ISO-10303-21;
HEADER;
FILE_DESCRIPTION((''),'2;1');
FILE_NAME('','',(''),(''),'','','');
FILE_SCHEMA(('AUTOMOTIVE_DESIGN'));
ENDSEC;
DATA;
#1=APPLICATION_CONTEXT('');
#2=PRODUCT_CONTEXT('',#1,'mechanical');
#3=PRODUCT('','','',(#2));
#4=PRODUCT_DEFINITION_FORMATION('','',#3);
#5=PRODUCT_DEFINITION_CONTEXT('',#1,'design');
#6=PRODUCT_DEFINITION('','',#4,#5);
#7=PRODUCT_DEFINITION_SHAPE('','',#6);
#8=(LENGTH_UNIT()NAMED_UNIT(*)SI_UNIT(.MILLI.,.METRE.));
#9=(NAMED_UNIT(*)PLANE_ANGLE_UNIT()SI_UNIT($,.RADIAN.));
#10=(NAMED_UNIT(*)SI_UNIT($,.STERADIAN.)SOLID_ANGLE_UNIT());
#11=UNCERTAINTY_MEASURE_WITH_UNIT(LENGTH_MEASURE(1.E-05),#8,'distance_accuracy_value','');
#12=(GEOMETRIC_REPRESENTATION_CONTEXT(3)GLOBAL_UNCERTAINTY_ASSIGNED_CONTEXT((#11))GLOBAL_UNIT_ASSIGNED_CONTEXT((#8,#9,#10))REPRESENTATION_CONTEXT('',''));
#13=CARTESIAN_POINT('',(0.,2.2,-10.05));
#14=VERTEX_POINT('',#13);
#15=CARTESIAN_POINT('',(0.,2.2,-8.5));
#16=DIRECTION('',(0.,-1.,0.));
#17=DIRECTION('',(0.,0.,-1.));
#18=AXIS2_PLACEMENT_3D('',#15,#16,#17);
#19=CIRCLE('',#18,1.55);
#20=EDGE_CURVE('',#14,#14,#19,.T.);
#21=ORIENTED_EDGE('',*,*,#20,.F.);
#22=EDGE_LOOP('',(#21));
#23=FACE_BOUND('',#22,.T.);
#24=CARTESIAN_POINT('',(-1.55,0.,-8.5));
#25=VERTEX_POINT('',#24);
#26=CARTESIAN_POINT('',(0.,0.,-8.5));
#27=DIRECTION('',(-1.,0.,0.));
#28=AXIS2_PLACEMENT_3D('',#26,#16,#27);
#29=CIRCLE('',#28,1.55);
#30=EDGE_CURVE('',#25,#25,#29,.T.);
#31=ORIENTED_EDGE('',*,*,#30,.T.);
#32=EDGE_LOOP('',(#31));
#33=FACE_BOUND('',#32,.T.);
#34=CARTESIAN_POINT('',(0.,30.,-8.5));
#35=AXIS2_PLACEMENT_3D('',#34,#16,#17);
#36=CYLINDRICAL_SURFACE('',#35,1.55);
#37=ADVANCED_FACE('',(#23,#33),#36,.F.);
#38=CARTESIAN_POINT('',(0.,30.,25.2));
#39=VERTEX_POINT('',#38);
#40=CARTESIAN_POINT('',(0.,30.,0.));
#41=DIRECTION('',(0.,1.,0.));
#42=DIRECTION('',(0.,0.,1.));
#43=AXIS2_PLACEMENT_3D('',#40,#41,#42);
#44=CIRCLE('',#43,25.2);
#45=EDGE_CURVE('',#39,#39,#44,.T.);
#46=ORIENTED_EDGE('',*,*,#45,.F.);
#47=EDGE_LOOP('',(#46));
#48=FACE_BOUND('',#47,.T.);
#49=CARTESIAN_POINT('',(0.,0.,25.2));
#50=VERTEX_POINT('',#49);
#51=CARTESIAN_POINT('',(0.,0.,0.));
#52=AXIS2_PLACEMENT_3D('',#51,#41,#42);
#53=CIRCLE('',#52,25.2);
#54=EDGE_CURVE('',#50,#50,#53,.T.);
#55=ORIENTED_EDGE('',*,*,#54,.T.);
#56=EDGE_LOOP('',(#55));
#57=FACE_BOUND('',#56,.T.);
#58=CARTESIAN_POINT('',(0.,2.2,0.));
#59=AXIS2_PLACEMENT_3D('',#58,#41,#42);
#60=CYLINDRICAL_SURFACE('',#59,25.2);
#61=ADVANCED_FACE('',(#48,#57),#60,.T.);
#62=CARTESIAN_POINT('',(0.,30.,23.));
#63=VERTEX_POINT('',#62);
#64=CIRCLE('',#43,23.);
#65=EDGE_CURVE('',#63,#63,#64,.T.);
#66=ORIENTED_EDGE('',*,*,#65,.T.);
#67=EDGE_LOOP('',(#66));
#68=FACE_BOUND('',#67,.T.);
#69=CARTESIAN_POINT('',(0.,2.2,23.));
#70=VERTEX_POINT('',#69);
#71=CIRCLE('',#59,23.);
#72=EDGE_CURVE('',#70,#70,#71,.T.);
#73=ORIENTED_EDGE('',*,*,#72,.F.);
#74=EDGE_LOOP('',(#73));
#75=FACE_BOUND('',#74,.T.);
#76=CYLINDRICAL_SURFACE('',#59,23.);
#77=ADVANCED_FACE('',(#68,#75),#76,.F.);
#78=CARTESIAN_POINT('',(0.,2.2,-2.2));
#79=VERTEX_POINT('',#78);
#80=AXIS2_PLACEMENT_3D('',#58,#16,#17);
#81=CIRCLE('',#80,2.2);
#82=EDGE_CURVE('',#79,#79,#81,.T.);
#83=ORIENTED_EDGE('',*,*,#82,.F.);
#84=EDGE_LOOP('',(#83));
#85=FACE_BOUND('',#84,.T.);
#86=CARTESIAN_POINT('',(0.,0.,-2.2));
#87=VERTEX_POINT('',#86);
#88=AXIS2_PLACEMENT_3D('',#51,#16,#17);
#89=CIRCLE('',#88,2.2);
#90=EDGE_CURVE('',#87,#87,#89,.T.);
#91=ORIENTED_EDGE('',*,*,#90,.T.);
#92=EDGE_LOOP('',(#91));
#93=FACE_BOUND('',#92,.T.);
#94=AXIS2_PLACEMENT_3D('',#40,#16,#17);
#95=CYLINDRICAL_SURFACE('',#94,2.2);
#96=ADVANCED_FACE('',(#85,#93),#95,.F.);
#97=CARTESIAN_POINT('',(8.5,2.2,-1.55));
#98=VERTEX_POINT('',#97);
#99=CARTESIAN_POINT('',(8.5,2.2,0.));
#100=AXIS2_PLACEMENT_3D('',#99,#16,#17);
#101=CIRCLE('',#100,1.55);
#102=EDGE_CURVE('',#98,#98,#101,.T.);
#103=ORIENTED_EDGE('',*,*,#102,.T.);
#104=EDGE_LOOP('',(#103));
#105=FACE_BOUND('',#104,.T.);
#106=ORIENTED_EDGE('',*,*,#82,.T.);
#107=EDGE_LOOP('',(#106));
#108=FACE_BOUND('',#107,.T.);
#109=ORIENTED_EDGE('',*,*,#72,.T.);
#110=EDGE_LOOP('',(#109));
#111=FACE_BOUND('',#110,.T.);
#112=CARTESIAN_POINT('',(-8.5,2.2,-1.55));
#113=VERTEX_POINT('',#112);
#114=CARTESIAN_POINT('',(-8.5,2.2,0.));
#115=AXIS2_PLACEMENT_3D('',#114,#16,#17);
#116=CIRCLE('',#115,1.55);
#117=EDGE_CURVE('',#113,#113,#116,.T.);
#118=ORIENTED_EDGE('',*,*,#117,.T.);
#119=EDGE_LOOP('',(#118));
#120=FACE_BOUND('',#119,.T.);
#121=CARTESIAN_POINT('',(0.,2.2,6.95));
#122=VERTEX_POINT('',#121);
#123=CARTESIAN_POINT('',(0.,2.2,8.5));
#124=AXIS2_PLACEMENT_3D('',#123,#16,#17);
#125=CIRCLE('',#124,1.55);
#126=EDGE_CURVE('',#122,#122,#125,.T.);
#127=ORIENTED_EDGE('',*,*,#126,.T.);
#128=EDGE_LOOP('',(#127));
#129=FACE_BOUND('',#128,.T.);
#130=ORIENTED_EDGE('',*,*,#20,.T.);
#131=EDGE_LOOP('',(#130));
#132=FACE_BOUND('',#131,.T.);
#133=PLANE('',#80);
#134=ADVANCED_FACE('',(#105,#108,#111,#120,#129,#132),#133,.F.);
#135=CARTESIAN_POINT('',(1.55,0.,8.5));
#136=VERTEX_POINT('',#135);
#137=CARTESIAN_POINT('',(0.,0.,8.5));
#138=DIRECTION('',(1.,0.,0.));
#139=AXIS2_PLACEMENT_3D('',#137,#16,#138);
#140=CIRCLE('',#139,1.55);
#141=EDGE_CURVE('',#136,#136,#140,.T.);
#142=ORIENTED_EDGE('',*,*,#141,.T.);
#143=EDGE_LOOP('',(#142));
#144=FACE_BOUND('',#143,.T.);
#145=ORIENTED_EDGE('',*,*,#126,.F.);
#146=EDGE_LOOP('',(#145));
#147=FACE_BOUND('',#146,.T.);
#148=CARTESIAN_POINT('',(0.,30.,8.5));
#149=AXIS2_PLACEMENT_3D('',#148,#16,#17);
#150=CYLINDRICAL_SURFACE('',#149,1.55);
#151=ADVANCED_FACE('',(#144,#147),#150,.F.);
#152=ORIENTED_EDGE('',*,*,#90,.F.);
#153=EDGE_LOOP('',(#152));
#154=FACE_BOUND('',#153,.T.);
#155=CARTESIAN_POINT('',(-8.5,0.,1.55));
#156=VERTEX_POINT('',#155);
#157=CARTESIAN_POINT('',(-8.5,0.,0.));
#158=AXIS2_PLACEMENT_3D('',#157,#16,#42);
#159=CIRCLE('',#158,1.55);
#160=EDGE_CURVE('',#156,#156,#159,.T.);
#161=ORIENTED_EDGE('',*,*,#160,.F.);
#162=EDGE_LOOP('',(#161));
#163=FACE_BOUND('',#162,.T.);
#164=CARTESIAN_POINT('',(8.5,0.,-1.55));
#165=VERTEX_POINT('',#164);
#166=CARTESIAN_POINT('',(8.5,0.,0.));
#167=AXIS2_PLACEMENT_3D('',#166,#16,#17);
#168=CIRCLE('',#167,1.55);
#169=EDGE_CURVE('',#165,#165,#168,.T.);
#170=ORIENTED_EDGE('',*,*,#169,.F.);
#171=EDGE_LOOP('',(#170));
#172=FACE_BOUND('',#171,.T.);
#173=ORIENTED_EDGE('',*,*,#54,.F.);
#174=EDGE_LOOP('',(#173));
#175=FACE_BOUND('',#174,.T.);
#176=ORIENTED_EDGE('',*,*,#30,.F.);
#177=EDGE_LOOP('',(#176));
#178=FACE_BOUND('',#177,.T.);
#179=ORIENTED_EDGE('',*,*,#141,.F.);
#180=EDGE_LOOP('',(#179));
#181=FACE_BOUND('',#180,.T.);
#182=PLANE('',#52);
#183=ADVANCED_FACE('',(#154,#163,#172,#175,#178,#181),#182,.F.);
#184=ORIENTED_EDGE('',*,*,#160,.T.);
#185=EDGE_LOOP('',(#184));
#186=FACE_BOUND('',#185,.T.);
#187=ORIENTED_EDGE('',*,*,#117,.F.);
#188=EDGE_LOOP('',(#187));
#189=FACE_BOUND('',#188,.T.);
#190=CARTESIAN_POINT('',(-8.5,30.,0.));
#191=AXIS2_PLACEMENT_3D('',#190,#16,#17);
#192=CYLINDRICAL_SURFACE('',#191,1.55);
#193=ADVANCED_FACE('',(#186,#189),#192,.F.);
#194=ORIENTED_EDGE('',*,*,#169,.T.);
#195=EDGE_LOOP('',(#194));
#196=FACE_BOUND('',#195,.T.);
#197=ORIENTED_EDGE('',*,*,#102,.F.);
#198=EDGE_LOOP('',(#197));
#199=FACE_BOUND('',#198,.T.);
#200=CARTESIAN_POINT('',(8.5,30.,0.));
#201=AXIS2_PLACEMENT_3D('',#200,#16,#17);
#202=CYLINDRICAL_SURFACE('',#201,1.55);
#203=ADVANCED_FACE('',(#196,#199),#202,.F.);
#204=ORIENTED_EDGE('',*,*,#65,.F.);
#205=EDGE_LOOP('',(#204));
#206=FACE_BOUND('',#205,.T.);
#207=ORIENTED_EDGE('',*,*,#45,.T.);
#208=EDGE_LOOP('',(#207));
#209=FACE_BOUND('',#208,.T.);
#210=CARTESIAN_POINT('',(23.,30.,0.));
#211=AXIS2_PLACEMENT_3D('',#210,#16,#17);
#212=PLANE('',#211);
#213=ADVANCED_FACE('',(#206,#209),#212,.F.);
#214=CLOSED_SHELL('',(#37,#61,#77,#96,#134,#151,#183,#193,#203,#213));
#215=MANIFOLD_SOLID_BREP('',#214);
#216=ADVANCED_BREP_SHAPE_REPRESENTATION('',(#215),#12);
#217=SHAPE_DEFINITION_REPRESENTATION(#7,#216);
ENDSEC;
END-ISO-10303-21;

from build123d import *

# Parameters (mm, degrees)
SKETCH_2_R               = 2.2
SKETCH_2_R_2             = 1.55
CUT_EXTRUDE_1_DEPTH      = 47.584117465
PATTERN_CIRCULAR_1_COUNT = 4


with BuildPart() as part:
    # 草图1 → 旋转1 (revolve)
    with BuildSketch(Plane.XY, mode=Mode.PRIVATE) as revolve_1_sk:
        Polygon((0, 0), (25.2, 0), (25.2, 30), (23, 30), (23, 2.2), (0, 2.2), align=None)
    revolve(revolve_1_sk.sketch.rotate(Axis((0, 2.2, 0), (0, -1, 0)), 90), axis=Axis((0, 2.2, 0), (0, -1, 0)))

    # 草图2 → 切除-拉伸1 (cut, through all)
    with BuildSketch(Plane.XZ):
        with Locations(Location((0, 0, 0), (0, 0, 270))):
            Circle(SKETCH_2_R)
        with Locations(Location((8.5, 0, 0), (0, 0, 270))):
            Circle(SKETCH_2_R_2)
    cut_extrude_1 = extrude(amount=-CUT_EXTRUDE_1_DEPTH, mode=Mode.SUBTRACT)

    # 阵列(圆周)1: 切除-拉伸1 ×4 about axis
    pattern_circular_1_axis = Axis((0, 0, 0), (0, 1, 0))
    for i in range(1, PATTERN_CIRCULAR_1_COUNT):
        add(cut_extrude_1.rotate(pattern_circular_1_axis, i * 360 / PATTERN_CIRCULAR_1_COUNT), mode=Mode.SUBTRACT)


solid = part.part
